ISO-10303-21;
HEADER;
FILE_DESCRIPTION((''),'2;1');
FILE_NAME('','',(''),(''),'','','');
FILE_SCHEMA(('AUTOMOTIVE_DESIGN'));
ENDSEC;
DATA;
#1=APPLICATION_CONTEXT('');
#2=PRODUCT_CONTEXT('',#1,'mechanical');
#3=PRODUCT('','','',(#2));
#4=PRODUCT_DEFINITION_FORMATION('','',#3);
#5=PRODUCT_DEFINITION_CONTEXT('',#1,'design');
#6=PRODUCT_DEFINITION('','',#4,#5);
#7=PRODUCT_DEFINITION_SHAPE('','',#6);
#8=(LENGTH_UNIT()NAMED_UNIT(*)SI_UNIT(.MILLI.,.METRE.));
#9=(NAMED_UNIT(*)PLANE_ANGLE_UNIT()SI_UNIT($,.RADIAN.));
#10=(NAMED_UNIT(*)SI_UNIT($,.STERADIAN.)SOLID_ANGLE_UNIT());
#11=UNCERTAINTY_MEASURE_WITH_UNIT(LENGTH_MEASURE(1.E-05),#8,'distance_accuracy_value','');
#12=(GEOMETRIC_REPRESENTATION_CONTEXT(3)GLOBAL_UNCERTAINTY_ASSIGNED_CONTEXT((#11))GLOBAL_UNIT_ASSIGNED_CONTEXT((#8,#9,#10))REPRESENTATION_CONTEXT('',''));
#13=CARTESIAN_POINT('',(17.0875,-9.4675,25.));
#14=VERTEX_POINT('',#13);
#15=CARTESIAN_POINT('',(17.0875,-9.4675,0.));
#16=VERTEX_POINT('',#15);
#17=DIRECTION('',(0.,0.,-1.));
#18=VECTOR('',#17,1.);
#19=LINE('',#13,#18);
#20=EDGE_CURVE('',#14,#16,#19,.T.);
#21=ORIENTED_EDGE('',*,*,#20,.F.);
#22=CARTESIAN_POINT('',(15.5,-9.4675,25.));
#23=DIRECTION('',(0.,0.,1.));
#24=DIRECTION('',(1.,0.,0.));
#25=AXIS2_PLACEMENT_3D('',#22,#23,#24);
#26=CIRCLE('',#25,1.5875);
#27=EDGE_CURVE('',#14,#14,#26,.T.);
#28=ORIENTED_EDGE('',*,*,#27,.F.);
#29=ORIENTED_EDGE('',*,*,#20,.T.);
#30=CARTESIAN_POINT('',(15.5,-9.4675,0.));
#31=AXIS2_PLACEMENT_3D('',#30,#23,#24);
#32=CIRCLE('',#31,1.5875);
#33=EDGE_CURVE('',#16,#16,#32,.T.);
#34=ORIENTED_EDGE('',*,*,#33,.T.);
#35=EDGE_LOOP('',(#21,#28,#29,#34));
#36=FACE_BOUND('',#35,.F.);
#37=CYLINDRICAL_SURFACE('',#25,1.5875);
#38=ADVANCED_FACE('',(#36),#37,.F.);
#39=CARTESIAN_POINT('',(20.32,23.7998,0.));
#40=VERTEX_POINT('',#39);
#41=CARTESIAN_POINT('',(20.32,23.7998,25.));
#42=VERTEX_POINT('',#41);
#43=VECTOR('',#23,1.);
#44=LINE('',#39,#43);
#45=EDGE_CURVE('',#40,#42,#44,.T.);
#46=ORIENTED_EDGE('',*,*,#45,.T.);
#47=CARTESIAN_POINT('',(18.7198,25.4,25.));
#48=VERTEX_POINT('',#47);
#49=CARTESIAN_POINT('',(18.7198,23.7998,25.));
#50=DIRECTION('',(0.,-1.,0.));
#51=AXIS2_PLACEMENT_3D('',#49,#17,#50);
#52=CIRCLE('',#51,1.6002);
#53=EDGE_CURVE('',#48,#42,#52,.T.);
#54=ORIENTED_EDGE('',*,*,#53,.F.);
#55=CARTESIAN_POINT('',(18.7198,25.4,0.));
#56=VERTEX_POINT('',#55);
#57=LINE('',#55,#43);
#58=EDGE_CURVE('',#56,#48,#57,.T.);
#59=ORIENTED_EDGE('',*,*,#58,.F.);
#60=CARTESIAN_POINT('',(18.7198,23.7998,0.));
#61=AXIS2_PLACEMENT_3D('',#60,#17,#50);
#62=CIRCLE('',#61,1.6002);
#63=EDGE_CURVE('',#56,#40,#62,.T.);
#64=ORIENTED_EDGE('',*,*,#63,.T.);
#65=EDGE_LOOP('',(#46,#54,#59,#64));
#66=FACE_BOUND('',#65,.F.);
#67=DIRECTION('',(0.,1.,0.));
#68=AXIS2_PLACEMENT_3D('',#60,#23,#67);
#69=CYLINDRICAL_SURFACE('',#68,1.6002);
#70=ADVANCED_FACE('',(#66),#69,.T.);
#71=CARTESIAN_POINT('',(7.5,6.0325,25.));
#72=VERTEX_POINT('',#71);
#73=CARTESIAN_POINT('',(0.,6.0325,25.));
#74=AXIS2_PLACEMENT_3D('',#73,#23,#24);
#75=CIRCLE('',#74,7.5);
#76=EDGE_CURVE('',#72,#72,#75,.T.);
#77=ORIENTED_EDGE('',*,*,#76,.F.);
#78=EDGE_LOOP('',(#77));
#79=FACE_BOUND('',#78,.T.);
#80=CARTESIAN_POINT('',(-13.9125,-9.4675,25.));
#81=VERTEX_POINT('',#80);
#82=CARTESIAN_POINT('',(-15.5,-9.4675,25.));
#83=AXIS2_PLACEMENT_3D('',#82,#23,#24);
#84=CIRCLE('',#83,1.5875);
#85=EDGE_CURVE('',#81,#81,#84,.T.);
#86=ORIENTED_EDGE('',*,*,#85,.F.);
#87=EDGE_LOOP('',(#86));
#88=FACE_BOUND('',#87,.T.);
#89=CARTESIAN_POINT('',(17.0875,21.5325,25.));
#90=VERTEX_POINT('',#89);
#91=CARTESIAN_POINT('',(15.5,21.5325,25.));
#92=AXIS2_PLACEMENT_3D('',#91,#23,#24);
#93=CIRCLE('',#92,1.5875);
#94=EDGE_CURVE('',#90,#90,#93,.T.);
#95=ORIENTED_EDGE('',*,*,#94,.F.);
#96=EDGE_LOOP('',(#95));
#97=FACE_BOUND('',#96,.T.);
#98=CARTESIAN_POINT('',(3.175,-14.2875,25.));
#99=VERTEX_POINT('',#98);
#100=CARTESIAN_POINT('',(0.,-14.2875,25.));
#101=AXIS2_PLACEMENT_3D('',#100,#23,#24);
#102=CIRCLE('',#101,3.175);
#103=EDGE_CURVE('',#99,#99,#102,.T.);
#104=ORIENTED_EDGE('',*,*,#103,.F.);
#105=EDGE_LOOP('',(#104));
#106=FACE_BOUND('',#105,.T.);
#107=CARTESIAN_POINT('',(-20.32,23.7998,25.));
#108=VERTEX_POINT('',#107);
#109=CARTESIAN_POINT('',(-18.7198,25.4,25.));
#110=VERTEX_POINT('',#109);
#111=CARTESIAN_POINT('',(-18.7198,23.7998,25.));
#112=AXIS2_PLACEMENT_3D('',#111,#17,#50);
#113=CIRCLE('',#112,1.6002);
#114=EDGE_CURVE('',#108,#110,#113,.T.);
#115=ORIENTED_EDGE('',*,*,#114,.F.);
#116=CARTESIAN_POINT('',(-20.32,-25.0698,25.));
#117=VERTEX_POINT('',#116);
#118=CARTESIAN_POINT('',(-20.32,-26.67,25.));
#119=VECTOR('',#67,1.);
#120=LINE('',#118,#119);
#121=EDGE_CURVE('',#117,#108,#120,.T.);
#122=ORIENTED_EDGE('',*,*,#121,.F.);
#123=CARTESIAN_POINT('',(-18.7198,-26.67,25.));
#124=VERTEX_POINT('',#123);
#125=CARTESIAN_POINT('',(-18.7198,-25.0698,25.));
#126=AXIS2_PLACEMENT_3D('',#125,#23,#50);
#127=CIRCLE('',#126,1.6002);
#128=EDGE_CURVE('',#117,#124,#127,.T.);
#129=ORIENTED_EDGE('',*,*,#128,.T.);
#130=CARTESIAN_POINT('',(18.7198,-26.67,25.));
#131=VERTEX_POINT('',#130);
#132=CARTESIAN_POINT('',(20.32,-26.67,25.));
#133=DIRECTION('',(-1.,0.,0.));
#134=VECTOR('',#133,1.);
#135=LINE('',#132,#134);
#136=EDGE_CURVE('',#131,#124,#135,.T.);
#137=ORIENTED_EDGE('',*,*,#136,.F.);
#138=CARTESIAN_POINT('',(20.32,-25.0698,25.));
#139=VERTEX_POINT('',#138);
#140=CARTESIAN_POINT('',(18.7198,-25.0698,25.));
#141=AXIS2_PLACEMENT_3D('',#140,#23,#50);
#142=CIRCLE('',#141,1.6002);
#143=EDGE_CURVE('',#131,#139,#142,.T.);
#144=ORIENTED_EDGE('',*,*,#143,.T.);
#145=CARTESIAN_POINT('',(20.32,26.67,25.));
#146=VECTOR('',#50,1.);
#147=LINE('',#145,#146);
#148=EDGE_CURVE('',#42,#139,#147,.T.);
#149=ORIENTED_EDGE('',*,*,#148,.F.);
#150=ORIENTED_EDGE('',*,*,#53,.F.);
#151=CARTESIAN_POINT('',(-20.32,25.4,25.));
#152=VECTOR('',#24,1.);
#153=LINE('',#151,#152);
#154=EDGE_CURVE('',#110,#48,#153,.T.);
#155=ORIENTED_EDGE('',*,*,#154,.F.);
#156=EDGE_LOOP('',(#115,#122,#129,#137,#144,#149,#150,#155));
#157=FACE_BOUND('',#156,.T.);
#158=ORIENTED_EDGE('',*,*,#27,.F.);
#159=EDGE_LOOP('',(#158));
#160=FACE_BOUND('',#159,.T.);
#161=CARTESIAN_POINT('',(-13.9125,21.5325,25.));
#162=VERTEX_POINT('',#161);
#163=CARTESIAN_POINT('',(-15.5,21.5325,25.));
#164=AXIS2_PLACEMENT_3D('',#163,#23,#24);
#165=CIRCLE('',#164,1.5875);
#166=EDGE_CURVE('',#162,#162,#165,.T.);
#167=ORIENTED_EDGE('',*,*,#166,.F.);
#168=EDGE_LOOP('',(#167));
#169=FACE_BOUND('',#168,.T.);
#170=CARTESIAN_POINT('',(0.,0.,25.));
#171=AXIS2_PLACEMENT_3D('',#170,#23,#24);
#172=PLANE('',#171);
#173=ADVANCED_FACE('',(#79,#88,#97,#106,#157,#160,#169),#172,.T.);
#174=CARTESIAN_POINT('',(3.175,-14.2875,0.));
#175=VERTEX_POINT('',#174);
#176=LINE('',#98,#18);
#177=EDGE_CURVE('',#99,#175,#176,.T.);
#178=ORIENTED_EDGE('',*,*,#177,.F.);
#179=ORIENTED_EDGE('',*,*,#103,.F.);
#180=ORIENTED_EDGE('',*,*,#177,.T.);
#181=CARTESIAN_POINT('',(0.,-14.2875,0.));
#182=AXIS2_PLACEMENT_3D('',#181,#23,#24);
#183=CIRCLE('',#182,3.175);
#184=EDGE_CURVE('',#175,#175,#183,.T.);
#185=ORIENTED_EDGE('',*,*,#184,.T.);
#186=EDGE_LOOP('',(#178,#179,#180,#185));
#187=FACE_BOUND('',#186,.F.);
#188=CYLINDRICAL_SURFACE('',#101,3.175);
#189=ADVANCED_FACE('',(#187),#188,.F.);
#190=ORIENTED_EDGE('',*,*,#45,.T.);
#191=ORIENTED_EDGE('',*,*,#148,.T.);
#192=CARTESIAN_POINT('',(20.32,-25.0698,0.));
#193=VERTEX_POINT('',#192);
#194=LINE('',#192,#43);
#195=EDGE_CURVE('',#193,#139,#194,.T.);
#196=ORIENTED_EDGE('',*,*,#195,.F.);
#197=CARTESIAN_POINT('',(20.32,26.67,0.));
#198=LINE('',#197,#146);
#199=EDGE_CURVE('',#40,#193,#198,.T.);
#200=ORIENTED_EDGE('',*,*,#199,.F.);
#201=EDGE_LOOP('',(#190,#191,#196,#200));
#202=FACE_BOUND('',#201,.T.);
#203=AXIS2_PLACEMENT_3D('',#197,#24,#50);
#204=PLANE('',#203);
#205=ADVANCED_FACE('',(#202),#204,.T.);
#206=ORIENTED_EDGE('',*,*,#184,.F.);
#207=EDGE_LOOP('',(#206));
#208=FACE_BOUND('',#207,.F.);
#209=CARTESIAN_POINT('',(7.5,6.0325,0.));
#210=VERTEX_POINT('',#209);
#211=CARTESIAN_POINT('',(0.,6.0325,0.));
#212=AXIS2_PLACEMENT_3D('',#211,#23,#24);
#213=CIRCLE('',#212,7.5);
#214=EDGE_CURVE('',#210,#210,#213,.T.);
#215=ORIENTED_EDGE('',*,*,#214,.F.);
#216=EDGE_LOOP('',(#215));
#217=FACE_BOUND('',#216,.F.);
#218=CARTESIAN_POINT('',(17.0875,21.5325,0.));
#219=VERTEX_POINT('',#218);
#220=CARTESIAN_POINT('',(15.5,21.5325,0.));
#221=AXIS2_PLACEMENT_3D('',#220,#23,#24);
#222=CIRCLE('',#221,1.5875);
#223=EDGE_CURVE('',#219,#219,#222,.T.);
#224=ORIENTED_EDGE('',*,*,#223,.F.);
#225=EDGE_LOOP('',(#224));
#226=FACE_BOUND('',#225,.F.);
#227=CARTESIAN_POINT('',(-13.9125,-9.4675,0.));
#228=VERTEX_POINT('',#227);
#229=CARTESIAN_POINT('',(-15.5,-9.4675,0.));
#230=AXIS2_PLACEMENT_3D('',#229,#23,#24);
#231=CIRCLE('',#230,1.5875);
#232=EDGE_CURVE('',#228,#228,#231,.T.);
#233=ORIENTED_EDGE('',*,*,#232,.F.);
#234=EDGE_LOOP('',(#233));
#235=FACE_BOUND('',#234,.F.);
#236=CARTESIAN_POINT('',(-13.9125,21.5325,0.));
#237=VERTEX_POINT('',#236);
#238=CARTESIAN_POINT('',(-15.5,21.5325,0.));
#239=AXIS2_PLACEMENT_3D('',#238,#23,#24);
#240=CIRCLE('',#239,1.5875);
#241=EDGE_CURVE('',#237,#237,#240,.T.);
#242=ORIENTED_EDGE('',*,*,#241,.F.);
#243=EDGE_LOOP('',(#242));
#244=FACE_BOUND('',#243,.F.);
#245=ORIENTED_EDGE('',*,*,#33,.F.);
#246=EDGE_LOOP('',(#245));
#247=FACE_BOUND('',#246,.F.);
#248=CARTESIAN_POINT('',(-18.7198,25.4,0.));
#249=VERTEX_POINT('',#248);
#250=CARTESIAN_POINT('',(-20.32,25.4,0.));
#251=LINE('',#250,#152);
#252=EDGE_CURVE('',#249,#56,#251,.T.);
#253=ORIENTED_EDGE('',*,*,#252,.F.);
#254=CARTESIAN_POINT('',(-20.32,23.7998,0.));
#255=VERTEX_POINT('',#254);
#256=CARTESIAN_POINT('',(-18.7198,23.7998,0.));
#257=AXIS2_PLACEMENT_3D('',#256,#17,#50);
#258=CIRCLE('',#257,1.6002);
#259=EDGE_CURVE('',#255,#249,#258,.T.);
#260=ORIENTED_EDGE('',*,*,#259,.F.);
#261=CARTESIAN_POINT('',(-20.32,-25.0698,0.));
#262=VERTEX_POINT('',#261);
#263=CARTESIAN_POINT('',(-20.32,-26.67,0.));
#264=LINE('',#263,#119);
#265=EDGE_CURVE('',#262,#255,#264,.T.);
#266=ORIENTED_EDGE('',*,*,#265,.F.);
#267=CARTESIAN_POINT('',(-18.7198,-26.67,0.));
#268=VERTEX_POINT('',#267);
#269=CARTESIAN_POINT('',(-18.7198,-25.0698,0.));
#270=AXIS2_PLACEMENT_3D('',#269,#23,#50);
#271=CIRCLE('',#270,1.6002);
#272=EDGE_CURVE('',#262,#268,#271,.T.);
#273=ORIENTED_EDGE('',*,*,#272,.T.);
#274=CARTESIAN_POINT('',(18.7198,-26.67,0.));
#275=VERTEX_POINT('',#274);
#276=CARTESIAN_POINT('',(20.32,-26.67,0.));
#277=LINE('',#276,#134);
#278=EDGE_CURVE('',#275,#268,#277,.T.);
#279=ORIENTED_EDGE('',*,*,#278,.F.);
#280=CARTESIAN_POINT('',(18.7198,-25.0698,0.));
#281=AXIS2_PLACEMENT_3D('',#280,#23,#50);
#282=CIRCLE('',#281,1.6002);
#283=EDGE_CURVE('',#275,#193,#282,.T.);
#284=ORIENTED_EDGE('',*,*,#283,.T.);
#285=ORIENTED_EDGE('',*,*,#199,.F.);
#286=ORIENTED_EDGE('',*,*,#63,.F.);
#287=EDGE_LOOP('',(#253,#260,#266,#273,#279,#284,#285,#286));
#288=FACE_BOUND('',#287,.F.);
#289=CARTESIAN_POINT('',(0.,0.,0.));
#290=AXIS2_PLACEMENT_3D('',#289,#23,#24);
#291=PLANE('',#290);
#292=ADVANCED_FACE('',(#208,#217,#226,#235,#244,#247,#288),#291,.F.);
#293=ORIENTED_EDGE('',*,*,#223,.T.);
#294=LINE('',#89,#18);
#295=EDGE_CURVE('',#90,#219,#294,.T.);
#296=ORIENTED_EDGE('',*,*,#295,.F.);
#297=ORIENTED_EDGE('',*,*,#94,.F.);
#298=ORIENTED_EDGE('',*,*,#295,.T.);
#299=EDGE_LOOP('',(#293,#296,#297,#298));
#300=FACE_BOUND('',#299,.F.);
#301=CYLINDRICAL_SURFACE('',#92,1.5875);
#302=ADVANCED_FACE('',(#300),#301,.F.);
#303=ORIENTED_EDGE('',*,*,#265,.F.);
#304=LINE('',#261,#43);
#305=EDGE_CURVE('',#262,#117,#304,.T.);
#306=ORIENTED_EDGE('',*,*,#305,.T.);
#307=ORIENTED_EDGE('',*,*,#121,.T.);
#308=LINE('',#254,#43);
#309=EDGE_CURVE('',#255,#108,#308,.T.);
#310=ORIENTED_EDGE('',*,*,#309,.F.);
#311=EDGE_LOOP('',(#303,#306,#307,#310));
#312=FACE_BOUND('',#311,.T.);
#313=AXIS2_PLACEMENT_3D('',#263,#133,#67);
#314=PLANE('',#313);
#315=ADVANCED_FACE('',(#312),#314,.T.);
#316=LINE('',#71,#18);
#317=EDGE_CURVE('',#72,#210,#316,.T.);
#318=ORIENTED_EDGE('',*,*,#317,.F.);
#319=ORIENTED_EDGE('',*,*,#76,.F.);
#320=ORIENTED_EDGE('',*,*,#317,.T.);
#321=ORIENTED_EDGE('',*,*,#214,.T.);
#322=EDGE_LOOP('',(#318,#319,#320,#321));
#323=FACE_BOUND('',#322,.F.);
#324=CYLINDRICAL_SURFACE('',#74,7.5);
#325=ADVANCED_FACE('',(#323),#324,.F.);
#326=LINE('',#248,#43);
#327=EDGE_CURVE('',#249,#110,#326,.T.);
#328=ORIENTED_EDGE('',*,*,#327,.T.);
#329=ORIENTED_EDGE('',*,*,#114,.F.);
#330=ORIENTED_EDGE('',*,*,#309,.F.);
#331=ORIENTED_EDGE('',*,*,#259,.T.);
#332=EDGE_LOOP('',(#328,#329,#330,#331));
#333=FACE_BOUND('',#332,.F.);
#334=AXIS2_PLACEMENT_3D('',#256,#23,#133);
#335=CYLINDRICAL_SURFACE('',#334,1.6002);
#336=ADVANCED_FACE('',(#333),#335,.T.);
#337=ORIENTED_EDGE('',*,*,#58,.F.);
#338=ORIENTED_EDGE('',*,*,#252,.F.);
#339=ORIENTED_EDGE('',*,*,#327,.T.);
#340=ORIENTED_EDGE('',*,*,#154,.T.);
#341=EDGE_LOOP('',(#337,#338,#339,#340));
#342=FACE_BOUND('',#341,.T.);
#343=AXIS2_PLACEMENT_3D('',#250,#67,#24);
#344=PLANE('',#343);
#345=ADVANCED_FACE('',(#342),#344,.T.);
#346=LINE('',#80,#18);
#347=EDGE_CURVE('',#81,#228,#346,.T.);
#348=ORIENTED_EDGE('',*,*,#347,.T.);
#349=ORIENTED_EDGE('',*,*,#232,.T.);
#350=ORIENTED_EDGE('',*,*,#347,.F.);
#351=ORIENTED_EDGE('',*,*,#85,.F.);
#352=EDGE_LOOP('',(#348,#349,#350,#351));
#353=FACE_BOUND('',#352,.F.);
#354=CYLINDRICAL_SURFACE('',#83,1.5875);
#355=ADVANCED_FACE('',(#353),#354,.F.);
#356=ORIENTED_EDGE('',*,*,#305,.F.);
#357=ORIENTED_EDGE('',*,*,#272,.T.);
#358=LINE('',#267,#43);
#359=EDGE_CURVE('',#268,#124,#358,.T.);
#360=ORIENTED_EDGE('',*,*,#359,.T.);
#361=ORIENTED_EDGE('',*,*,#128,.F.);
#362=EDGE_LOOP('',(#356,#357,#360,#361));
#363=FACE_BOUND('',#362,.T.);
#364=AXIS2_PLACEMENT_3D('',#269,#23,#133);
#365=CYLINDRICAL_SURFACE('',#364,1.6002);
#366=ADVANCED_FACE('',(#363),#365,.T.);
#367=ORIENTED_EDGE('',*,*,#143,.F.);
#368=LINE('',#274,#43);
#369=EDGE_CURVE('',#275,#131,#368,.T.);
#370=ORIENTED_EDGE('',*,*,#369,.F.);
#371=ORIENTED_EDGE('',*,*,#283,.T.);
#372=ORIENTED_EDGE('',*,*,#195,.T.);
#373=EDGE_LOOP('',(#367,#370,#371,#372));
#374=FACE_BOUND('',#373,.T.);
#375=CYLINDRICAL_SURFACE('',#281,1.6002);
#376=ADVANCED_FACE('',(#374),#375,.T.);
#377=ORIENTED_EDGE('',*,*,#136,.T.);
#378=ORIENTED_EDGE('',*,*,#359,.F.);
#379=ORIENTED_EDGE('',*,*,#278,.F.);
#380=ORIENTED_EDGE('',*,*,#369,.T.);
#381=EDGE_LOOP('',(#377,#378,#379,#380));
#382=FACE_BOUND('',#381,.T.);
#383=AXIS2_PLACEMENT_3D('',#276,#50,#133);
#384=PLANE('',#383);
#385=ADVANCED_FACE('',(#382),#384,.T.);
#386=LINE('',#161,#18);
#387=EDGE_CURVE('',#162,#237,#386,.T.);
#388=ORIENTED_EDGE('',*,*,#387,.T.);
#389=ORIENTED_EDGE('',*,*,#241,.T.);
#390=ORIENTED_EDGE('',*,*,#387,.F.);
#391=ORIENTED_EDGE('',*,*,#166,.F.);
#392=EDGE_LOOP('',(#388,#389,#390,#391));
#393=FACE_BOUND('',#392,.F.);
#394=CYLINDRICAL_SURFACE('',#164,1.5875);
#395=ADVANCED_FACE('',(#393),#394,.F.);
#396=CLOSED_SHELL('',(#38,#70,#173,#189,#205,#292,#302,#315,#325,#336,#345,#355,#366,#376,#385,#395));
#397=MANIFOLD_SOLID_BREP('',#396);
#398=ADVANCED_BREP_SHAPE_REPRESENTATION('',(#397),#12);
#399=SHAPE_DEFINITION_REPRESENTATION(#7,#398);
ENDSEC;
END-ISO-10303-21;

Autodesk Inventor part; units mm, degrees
ref_plane "YZ Plane" through (0, 0, 0) normal (1, 0, 0) x (0, 1, 0)
ref_plane "XZ Plane" through (0, 0, 0) normal (0, 1, 0) x (-1, 0, 0)
ref_plane "XY Plane" through (0, 0, 0) normal (0, 0, 1) x (1, 0, 0)
sketch "Sketch1" plane through (0, 0, 0) normal (0, 0, 1) x (1, 0, 0)
  line L0 (-20.32, 26.67) -> (20.32, 26.67)
  line L1 (20.32, 26.67) -> (20.32, -26.67)
  line L2 (20.32, -26.67) -> (-20.32, -26.67)
  line L3 (-20.32, -26.67) -> (-20.32, 26.67)
  point P0 (0, 0)
  point P1 (20.32, 0)
  point P2 (0, 26.67)
  dimension "d0" = 40.64
  dimension "d1" = 53.34
extrude "Extrusion1" add sketch "Sketch1" along normal blind 25
sketch "Sketch2" plane through (0, 0, 25) normal (0, 0, 1) x (1, 0, 0)
  circle A0 centre (0, 6.0325) radius 7.5
  line L0 (20.32, 26.67) -> (-20.32, 26.67) projected
  circle A1 centre (0, -14.2875) radius 3.175
  line L1 (0, 6.0325) -> (44.8131, 6.0325) construction
  line L2 (0, 6.0325) -> (0, 52.3228) construction
  circle A2 centre (15.5, 21.5325) radius 1.5875
  circle A3 centre (-15.5, 21.5325) radius 1.5875
  circle A4 centre (15.5, -9.4675) radius 1.5875
  circle A5 centre (-15.5, -9.4675) radius 1.5875
  point P0 (0, 0)
  dimension "d4" = 20.6375
  dimension "d5" = 15
  dimension "d8" = 6.35
  dimension "d9" = 20.32
  dimension "d11" = 3.175
  dimension "d12" = 15.5
  dimension "d13" = 15.5
extrude "Extrusion2" cut sketch "Sketch2" against normal up to surface (25 mm away)
sketch "Sketch3" plane through (-20.32, 26.67, 0) normal (0, 1, 0) x (1, 0, 0)
  line L0 (0, 0) -> (0, -25) projected
  line L1 (0, -25) -> (40.64, -25) projected
  line L2 (0, 0) -> (40.64, 0)
  line L3 (40.64, 0) -> (40.64, -25)
  line L4 (40.64, -25) -> (0, -25)
  line L5 (0, -25) -> (0, 0)
  point P0 (20.32, 0)
extrude "Extrusion3" cut sketch "Sketch3" against normal blind 1.27
fillet "Fillet1" radius 1.6002 4 edges at (20.32, 25.4, 12.5) (-20.32, 25.4, 12.5) (20.32, -26.67, 12.5) (-20.32, -26.67, 12.5)
properties part number "Motor Brace"
